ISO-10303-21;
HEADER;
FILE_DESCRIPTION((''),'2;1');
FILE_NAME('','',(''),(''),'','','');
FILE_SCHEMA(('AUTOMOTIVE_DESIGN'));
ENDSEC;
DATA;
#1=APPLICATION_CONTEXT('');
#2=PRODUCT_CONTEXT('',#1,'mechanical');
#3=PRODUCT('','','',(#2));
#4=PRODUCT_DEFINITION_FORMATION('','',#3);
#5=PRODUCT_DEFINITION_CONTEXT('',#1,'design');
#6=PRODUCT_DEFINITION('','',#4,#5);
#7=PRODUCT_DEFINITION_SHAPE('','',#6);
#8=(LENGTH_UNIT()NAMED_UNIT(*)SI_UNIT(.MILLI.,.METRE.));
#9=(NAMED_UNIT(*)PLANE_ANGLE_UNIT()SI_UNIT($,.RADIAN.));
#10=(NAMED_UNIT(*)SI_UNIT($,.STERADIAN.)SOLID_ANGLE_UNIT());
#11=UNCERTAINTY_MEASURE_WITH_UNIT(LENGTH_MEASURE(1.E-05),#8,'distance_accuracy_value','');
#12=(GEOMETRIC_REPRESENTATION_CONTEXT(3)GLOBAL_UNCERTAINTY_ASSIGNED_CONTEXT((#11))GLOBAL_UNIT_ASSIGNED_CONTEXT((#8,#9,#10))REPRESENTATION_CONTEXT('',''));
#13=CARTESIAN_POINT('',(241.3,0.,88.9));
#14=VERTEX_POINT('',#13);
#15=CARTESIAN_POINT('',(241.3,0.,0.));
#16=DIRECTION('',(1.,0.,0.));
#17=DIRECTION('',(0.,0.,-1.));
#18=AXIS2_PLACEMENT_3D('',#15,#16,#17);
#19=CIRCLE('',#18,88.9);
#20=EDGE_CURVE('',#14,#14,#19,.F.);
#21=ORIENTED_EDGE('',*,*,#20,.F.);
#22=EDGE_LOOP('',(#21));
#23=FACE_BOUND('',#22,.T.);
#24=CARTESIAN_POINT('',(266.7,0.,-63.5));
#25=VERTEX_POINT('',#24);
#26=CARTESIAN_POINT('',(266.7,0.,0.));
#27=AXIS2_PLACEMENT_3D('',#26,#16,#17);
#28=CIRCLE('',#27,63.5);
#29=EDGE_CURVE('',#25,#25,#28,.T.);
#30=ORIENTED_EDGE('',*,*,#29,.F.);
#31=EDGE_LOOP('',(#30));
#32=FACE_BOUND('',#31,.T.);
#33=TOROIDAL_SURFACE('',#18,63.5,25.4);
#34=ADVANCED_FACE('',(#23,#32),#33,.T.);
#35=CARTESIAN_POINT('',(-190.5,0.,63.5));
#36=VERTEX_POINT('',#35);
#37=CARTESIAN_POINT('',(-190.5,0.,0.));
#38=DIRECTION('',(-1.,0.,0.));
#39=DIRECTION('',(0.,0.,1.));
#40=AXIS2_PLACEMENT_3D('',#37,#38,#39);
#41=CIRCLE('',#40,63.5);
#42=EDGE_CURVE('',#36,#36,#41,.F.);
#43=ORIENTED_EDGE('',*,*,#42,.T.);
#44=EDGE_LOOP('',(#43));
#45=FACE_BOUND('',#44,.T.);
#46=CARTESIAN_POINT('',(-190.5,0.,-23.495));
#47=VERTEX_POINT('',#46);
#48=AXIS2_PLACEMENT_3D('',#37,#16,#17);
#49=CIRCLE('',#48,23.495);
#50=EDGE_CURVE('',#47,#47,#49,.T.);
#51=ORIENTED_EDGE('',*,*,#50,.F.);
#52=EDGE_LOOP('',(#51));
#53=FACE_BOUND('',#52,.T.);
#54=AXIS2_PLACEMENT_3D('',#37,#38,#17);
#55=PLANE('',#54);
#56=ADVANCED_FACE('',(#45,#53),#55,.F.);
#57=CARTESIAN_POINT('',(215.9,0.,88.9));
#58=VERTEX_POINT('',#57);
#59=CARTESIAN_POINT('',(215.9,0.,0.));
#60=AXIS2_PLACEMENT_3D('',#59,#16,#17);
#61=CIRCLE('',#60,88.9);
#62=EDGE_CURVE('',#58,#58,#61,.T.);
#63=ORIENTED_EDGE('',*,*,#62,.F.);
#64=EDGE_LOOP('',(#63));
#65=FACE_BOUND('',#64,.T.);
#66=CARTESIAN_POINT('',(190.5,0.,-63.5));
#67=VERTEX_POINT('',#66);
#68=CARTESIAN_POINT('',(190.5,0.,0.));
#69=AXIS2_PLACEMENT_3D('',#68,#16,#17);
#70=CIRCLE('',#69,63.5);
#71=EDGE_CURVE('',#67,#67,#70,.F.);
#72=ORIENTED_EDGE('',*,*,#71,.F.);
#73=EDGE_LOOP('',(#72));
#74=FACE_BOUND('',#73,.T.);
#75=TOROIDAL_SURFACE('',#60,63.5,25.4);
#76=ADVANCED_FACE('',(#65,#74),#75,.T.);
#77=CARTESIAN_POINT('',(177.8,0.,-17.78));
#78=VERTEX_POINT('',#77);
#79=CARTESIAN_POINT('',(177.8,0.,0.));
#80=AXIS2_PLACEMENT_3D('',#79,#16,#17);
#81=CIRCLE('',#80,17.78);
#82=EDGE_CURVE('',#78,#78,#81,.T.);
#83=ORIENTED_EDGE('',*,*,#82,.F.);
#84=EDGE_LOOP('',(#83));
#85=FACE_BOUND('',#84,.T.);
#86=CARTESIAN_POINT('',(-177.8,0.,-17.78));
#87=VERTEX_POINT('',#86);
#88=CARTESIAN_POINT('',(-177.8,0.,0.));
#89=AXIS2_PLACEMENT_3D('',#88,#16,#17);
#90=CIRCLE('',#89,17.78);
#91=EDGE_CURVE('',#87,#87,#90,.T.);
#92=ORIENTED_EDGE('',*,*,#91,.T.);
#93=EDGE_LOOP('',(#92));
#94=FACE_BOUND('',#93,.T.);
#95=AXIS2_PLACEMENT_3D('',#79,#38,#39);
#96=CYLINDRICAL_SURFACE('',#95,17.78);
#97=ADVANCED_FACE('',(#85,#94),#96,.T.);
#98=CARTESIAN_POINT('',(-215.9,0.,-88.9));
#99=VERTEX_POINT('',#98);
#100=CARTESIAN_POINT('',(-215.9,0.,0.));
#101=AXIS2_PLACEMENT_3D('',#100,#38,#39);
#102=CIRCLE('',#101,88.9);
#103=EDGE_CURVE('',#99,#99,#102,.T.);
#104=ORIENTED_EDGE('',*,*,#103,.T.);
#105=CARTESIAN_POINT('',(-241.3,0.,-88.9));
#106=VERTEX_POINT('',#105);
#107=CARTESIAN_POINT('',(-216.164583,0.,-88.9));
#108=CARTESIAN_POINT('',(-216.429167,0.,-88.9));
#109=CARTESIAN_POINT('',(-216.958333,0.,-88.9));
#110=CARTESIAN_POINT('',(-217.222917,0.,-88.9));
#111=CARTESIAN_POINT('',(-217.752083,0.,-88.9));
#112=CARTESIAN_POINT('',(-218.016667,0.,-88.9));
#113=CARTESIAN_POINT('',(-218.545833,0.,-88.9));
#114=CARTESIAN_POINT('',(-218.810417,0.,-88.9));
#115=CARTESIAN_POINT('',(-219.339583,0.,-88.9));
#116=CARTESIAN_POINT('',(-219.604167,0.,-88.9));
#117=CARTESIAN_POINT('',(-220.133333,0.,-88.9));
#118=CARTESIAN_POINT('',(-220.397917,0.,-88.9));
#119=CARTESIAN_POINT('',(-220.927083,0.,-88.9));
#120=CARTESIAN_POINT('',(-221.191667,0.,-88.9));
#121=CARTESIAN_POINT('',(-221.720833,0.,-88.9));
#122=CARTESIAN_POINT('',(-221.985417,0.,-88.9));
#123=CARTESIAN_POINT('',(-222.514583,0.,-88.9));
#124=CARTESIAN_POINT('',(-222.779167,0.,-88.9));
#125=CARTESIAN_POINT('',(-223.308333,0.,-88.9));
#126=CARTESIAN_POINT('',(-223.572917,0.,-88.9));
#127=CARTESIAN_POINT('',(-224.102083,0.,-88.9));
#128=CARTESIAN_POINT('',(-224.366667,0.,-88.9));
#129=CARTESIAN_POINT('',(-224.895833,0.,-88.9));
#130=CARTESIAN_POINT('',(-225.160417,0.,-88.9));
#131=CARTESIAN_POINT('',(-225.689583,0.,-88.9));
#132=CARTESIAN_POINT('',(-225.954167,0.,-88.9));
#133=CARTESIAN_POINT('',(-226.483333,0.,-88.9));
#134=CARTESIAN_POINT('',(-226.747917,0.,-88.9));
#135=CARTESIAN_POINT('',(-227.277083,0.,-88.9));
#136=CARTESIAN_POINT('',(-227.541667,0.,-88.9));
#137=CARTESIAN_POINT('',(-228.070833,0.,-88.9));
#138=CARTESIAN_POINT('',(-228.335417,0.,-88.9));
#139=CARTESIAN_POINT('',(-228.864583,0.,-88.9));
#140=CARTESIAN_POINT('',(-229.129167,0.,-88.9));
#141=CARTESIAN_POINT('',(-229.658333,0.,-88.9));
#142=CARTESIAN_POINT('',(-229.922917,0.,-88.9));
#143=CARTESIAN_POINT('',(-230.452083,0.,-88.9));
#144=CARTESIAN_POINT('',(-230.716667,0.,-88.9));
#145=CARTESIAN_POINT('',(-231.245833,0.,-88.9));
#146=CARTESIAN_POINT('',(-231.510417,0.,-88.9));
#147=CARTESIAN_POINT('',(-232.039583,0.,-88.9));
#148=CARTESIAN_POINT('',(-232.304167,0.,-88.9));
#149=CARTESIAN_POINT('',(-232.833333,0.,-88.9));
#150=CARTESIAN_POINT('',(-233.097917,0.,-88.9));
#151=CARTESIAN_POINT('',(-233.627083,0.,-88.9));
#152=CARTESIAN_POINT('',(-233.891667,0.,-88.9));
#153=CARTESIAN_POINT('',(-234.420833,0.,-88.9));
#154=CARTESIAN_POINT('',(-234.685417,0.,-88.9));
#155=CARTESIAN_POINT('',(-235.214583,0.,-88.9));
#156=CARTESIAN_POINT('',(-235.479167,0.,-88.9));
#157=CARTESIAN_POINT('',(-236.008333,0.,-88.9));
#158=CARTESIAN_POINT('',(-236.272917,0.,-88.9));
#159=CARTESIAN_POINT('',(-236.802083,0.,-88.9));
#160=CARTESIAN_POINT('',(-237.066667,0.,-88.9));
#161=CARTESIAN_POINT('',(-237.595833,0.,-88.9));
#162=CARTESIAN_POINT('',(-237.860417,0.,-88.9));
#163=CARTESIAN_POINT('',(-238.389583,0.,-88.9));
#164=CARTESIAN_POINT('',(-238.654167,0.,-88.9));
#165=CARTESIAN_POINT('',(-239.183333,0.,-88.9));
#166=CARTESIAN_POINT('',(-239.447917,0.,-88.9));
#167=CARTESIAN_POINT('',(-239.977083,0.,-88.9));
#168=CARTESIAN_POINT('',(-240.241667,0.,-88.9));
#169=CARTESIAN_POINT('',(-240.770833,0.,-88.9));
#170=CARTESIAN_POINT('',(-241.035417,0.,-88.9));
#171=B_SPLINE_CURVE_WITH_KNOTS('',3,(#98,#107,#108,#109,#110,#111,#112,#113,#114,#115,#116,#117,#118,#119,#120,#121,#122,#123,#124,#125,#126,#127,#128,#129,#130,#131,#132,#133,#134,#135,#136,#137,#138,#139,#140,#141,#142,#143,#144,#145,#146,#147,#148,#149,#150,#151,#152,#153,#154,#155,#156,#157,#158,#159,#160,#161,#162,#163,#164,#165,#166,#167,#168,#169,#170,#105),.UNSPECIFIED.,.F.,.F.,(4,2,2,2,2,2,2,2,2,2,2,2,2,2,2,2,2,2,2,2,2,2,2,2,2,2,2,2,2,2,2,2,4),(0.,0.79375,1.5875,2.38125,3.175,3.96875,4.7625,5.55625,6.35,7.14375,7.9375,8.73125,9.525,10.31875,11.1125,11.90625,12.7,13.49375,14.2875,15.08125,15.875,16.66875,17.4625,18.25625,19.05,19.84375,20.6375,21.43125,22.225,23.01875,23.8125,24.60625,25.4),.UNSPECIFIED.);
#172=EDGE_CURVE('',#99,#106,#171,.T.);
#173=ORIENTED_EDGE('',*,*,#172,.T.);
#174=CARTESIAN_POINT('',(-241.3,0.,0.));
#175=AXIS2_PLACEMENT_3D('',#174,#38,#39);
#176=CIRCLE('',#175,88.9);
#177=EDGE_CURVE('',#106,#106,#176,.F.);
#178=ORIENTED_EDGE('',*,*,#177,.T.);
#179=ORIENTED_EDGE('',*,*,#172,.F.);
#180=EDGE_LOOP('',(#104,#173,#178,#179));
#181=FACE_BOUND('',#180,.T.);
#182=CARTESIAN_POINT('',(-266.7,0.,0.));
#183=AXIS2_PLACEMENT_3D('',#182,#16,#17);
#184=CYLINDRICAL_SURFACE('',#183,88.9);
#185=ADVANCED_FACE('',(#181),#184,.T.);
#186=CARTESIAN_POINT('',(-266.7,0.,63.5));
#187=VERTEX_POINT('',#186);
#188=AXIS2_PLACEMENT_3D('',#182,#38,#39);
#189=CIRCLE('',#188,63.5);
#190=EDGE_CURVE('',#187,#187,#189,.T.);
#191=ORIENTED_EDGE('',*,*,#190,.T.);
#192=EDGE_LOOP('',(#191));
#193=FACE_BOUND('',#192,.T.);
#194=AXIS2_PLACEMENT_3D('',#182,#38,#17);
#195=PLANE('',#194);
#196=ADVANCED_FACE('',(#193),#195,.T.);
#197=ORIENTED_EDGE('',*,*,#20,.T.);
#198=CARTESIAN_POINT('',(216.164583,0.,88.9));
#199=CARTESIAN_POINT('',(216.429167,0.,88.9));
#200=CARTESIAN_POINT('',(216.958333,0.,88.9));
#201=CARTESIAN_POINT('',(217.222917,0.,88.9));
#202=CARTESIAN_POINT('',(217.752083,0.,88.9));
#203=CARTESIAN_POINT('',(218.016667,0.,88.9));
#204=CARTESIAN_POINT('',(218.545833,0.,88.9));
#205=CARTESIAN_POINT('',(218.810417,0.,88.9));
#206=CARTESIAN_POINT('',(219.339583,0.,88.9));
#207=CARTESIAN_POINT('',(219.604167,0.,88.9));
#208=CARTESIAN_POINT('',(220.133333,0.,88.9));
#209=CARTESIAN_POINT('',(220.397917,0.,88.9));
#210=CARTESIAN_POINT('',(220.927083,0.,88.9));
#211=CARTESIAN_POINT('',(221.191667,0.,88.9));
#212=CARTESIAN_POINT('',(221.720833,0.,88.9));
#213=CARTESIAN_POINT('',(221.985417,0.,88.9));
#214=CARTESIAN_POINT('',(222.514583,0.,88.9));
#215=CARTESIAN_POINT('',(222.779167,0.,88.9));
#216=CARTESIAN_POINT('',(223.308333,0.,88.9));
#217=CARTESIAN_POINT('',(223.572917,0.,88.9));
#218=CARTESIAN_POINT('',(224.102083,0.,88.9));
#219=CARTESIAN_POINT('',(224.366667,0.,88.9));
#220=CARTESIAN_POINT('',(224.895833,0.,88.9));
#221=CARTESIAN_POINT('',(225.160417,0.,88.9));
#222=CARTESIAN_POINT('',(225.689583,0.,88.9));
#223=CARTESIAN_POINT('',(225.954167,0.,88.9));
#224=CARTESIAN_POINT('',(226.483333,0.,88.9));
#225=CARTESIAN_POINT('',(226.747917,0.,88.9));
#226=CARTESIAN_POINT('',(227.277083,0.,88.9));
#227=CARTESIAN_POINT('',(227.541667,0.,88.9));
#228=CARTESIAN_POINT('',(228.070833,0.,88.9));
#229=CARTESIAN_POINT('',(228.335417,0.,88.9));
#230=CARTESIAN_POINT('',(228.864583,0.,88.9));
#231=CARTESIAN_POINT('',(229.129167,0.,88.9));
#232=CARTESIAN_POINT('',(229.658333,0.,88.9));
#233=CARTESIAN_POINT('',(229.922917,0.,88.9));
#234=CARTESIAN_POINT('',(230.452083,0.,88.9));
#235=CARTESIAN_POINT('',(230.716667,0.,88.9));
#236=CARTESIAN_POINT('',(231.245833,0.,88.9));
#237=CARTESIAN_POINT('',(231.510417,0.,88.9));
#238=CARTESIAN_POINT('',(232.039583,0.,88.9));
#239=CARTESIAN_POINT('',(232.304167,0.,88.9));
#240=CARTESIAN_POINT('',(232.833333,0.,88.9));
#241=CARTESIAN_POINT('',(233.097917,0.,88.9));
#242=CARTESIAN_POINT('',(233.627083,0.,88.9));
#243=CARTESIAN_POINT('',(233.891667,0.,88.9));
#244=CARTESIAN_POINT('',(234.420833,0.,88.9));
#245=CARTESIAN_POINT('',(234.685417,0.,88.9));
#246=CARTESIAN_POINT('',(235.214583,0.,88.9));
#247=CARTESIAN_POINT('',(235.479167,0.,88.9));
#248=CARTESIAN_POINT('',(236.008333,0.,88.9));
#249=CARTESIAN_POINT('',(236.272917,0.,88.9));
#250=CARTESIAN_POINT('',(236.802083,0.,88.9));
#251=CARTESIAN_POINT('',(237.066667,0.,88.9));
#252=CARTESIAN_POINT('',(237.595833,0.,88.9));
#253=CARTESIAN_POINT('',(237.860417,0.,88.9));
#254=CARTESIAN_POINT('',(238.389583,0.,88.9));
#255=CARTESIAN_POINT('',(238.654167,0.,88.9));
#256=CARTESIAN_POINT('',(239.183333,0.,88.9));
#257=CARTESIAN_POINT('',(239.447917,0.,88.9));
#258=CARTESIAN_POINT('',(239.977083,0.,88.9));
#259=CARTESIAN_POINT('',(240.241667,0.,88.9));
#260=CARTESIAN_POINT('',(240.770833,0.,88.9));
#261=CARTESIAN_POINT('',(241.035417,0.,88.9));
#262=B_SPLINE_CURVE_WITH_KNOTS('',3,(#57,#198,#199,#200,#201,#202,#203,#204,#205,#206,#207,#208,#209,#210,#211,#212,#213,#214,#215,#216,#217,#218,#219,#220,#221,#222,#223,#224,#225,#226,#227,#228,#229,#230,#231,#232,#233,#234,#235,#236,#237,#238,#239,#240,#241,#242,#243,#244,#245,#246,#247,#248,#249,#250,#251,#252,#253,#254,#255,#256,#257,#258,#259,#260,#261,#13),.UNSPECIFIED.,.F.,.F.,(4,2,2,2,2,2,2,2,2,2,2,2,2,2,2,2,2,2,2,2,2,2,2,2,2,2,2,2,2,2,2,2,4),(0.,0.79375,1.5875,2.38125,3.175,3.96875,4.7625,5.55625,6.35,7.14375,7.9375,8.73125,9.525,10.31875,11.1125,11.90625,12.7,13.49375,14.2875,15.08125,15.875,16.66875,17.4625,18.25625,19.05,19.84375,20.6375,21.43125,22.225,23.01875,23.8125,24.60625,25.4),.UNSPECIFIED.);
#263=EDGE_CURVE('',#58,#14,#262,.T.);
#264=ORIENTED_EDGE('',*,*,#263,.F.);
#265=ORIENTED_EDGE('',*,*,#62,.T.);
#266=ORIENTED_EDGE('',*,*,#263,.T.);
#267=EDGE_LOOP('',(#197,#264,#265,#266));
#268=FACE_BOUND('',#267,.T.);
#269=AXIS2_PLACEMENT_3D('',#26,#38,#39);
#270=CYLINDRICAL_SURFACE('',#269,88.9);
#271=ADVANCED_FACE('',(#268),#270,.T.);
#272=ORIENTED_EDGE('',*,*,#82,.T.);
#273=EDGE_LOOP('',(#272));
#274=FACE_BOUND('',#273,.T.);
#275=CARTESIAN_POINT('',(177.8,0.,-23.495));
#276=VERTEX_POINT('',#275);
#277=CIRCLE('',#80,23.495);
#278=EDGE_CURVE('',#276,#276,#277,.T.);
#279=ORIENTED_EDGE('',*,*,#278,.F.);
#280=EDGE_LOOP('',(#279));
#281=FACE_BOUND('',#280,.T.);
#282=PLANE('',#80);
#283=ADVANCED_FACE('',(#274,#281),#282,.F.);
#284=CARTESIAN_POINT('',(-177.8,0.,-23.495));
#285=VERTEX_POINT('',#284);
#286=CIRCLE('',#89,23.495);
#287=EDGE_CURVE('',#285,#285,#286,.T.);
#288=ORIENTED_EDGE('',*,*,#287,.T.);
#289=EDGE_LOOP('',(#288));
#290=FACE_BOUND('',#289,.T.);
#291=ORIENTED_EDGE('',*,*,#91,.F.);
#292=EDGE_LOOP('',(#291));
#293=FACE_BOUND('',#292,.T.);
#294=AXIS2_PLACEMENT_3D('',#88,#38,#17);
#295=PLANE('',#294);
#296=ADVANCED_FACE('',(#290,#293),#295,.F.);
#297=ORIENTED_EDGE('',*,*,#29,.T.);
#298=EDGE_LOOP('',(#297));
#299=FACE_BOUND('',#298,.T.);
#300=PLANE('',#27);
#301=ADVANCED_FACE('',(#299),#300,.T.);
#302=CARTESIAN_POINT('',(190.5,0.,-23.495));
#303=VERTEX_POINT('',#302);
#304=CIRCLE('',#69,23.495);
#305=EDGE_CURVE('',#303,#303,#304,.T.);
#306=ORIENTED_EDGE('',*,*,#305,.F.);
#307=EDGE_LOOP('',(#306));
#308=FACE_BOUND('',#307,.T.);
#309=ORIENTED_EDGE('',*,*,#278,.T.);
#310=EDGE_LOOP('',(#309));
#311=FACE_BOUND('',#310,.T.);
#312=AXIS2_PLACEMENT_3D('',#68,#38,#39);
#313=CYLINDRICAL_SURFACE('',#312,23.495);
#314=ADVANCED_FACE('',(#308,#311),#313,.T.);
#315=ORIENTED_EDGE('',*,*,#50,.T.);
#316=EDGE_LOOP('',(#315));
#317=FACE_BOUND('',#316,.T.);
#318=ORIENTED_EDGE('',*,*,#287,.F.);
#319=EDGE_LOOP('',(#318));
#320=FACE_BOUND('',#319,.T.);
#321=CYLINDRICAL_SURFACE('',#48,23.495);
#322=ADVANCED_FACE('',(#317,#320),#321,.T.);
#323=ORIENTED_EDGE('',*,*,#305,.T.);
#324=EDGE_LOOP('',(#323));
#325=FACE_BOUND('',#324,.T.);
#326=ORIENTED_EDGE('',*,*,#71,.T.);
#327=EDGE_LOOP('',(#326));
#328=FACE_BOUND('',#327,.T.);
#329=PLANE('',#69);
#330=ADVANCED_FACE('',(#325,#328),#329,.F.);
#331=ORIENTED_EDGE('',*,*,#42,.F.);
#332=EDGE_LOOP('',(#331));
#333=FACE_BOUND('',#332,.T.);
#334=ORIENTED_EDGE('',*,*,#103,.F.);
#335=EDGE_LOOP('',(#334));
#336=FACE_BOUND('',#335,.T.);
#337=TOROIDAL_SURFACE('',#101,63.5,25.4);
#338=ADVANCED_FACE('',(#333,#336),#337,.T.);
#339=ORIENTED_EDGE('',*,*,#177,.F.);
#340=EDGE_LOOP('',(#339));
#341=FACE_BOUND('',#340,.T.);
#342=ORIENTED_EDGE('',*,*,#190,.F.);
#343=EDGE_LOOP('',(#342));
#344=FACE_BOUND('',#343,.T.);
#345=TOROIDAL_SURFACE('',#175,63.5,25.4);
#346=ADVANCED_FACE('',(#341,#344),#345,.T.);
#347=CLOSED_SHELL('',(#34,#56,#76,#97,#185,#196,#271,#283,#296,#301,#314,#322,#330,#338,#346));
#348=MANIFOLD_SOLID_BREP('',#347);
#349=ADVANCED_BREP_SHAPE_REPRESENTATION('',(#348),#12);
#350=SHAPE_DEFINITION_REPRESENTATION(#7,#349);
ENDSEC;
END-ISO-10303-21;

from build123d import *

# Parameters (mm, degrees)
SKETCH1_R               = 17.78
BOSS_EXTRUDE1_DEPTH     = 177.8
SKETCH9_R               = 23.495
BOSS_EXTRUDE4_DEPTH     = 12.7
MIRROR6_COPY_1_SKETCH_R = 23.495
MIRROR6_COPY_1_DEPTH    = 12.7
MIRROR6_COPY_2_SKETCH_R = 23.495
MIRROR6_COPY_2_DEPTH    = 12.7
MIRROR7_COPY_1_SKETCH_R = 23.495
MIRROR7_COPY_1_DEPTH    = 12.7
MIRROR7_COPY_2_SKETCH_R = 23.495
MIRROR7_COPY_2_DEPTH    = 12.7
MIRROR7_COPY_3_SKETCH_R = 23.495
MIRROR7_COPY_3_DEPTH    = 12.7
SKETCH13_R              = 88.9
BOSS_EXTRUDE6_DEPTH     = 76.2
FILLET3_R               = 25.4
FILLET4_R               = 25.4
FILLET3_OF_MIRROR11_R   = 25.4
FILLET4_OF_MIRROR11_R   = 25.4


with BuildPart() as part:
    # Sketch1 → Boss-Extrude1 (new, symmetric)
    with BuildSketch(Plane(origin=(0, 0, 0), x_dir=(0, 0, -1), z_dir=(1, 0, 0))):
        Circle(SKETCH1_R)
    extrude(amount=BOSS_EXTRUDE1_DEPTH, both=True)

    # Sketch9 → Boss-Extrude4 (add)
    with BuildSketch(Plane(origin=(177.8, 0, 0), x_dir=(0, 0, -1), z_dir=(1, 0, 0))):
        Circle(SKETCH9_R)
    boss_extrude4 = extrude(amount=BOSS_EXTRUDE4_DEPTH)

    # Mirror5: Boss-Extrude4 across plane
    add(boss_extrude4.mirror(Plane(origin=(0, 0, 0), x_dir=(0, 0, 1), z_dir=(1, 0, 0))))

    # Mirror6 copy 1 sketch → Mirror6 copy 1 (add)
    with BuildSketch(Plane.ZY.offset(177.8)):
        Circle(MIRROR6_COPY_1_SKETCH_R)
    extrude(amount=MIRROR6_COPY_1_DEPTH)

    # Mirror6 copy 2 sketch → Mirror6 copy 2 (add)
    with BuildSketch(Plane(origin=(177.8, 0, 0), x_dir=(0, 0, 1), z_dir=(1, 0, 0))):
        Circle(MIRROR6_COPY_2_SKETCH_R)
    extrude(amount=MIRROR6_COPY_2_DEPTH)

    # Mirror7 copy 1 sketch → Mirror7 copy 1 (add)
    with BuildSketch(Plane(origin=(-177.8, 0, 0), x_dir=(0, 0, -1), z_dir=(-1, 0, 0))):
        Circle(MIRROR7_COPY_1_SKETCH_R)
    extrude(amount=MIRROR7_COPY_1_DEPTH)

    # Mirror7 copy 2 sketch → Mirror7 copy 2 (add)
    with BuildSketch(Plane(origin=(177.8, 0, 0), x_dir=(0, 0, -1), z_dir=(1, 0, 0))):
        Circle(MIRROR7_COPY_2_SKETCH_R)
    extrude(amount=MIRROR7_COPY_2_DEPTH)

    # Mirror7 copy 3 sketch → Mirror7 copy 3 (add)
    with BuildSketch(Plane(origin=(177.8, 0, 0), x_dir=(0, 0, 1), z_dir=(1, 0, 0))):
        Circle(MIRROR7_COPY_3_SKETCH_R)
    extrude(amount=MIRROR7_COPY_3_DEPTH)

    # Sketch13 → Boss-Extrude6 (add)
    with BuildSketch(Plane(origin=(190.5, 0, 0), x_dir=(0, 0, -1), z_dir=(1, 0, 0))):
        with Locations(Location((0, 0, 0), (0, 0, 180))):
            Circle(SKETCH13_R)
    boss_extrude6 = extrude(amount=BOSS_EXTRUDE6_DEPTH)

    # Fillet3
    fillet3_edges = [part.edges().sort_by_distance(p)[0] for p in [
        (266.7, 0, -88.9),
    ]]
    fillet(fillet3_edges, radius=FILLET3_R)

    # Fillet4
    fillet4_edges = [part.edges().sort_by_distance(p)[0] for p in [
        (190.5, 0, -88.9),
    ]]
    fillet(fillet4_edges, radius=FILLET4_R)

    # Mirror11: Boss-Extrude6 across plane
    add(boss_extrude6.mirror(Plane(origin=(0, 0, 0), x_dir=(0, 0, 1), z_dir=(1, 0, 0))))

    # Fillet3 of Mirror11
    fillet3_of_mirror11_edges = [part.edges().sort_by_distance(p)[0] for p in [
        (-266.7, 0, -88.9),
    ]]
    fillet(fillet3_of_mirror11_edges, radius=FILLET3_OF_MIRROR11_R)

    # Fillet4 of Mirror11
    fillet4_of_mirror11_edges = [part.edges().sort_by_distance(p)[0] for p in [
        (-190.5, 0, -88.9),
    ]]
    fillet(fillet4_of_mirror11_edges, radius=FILLET4_OF_MIRROR11_R)


solid = part.part
